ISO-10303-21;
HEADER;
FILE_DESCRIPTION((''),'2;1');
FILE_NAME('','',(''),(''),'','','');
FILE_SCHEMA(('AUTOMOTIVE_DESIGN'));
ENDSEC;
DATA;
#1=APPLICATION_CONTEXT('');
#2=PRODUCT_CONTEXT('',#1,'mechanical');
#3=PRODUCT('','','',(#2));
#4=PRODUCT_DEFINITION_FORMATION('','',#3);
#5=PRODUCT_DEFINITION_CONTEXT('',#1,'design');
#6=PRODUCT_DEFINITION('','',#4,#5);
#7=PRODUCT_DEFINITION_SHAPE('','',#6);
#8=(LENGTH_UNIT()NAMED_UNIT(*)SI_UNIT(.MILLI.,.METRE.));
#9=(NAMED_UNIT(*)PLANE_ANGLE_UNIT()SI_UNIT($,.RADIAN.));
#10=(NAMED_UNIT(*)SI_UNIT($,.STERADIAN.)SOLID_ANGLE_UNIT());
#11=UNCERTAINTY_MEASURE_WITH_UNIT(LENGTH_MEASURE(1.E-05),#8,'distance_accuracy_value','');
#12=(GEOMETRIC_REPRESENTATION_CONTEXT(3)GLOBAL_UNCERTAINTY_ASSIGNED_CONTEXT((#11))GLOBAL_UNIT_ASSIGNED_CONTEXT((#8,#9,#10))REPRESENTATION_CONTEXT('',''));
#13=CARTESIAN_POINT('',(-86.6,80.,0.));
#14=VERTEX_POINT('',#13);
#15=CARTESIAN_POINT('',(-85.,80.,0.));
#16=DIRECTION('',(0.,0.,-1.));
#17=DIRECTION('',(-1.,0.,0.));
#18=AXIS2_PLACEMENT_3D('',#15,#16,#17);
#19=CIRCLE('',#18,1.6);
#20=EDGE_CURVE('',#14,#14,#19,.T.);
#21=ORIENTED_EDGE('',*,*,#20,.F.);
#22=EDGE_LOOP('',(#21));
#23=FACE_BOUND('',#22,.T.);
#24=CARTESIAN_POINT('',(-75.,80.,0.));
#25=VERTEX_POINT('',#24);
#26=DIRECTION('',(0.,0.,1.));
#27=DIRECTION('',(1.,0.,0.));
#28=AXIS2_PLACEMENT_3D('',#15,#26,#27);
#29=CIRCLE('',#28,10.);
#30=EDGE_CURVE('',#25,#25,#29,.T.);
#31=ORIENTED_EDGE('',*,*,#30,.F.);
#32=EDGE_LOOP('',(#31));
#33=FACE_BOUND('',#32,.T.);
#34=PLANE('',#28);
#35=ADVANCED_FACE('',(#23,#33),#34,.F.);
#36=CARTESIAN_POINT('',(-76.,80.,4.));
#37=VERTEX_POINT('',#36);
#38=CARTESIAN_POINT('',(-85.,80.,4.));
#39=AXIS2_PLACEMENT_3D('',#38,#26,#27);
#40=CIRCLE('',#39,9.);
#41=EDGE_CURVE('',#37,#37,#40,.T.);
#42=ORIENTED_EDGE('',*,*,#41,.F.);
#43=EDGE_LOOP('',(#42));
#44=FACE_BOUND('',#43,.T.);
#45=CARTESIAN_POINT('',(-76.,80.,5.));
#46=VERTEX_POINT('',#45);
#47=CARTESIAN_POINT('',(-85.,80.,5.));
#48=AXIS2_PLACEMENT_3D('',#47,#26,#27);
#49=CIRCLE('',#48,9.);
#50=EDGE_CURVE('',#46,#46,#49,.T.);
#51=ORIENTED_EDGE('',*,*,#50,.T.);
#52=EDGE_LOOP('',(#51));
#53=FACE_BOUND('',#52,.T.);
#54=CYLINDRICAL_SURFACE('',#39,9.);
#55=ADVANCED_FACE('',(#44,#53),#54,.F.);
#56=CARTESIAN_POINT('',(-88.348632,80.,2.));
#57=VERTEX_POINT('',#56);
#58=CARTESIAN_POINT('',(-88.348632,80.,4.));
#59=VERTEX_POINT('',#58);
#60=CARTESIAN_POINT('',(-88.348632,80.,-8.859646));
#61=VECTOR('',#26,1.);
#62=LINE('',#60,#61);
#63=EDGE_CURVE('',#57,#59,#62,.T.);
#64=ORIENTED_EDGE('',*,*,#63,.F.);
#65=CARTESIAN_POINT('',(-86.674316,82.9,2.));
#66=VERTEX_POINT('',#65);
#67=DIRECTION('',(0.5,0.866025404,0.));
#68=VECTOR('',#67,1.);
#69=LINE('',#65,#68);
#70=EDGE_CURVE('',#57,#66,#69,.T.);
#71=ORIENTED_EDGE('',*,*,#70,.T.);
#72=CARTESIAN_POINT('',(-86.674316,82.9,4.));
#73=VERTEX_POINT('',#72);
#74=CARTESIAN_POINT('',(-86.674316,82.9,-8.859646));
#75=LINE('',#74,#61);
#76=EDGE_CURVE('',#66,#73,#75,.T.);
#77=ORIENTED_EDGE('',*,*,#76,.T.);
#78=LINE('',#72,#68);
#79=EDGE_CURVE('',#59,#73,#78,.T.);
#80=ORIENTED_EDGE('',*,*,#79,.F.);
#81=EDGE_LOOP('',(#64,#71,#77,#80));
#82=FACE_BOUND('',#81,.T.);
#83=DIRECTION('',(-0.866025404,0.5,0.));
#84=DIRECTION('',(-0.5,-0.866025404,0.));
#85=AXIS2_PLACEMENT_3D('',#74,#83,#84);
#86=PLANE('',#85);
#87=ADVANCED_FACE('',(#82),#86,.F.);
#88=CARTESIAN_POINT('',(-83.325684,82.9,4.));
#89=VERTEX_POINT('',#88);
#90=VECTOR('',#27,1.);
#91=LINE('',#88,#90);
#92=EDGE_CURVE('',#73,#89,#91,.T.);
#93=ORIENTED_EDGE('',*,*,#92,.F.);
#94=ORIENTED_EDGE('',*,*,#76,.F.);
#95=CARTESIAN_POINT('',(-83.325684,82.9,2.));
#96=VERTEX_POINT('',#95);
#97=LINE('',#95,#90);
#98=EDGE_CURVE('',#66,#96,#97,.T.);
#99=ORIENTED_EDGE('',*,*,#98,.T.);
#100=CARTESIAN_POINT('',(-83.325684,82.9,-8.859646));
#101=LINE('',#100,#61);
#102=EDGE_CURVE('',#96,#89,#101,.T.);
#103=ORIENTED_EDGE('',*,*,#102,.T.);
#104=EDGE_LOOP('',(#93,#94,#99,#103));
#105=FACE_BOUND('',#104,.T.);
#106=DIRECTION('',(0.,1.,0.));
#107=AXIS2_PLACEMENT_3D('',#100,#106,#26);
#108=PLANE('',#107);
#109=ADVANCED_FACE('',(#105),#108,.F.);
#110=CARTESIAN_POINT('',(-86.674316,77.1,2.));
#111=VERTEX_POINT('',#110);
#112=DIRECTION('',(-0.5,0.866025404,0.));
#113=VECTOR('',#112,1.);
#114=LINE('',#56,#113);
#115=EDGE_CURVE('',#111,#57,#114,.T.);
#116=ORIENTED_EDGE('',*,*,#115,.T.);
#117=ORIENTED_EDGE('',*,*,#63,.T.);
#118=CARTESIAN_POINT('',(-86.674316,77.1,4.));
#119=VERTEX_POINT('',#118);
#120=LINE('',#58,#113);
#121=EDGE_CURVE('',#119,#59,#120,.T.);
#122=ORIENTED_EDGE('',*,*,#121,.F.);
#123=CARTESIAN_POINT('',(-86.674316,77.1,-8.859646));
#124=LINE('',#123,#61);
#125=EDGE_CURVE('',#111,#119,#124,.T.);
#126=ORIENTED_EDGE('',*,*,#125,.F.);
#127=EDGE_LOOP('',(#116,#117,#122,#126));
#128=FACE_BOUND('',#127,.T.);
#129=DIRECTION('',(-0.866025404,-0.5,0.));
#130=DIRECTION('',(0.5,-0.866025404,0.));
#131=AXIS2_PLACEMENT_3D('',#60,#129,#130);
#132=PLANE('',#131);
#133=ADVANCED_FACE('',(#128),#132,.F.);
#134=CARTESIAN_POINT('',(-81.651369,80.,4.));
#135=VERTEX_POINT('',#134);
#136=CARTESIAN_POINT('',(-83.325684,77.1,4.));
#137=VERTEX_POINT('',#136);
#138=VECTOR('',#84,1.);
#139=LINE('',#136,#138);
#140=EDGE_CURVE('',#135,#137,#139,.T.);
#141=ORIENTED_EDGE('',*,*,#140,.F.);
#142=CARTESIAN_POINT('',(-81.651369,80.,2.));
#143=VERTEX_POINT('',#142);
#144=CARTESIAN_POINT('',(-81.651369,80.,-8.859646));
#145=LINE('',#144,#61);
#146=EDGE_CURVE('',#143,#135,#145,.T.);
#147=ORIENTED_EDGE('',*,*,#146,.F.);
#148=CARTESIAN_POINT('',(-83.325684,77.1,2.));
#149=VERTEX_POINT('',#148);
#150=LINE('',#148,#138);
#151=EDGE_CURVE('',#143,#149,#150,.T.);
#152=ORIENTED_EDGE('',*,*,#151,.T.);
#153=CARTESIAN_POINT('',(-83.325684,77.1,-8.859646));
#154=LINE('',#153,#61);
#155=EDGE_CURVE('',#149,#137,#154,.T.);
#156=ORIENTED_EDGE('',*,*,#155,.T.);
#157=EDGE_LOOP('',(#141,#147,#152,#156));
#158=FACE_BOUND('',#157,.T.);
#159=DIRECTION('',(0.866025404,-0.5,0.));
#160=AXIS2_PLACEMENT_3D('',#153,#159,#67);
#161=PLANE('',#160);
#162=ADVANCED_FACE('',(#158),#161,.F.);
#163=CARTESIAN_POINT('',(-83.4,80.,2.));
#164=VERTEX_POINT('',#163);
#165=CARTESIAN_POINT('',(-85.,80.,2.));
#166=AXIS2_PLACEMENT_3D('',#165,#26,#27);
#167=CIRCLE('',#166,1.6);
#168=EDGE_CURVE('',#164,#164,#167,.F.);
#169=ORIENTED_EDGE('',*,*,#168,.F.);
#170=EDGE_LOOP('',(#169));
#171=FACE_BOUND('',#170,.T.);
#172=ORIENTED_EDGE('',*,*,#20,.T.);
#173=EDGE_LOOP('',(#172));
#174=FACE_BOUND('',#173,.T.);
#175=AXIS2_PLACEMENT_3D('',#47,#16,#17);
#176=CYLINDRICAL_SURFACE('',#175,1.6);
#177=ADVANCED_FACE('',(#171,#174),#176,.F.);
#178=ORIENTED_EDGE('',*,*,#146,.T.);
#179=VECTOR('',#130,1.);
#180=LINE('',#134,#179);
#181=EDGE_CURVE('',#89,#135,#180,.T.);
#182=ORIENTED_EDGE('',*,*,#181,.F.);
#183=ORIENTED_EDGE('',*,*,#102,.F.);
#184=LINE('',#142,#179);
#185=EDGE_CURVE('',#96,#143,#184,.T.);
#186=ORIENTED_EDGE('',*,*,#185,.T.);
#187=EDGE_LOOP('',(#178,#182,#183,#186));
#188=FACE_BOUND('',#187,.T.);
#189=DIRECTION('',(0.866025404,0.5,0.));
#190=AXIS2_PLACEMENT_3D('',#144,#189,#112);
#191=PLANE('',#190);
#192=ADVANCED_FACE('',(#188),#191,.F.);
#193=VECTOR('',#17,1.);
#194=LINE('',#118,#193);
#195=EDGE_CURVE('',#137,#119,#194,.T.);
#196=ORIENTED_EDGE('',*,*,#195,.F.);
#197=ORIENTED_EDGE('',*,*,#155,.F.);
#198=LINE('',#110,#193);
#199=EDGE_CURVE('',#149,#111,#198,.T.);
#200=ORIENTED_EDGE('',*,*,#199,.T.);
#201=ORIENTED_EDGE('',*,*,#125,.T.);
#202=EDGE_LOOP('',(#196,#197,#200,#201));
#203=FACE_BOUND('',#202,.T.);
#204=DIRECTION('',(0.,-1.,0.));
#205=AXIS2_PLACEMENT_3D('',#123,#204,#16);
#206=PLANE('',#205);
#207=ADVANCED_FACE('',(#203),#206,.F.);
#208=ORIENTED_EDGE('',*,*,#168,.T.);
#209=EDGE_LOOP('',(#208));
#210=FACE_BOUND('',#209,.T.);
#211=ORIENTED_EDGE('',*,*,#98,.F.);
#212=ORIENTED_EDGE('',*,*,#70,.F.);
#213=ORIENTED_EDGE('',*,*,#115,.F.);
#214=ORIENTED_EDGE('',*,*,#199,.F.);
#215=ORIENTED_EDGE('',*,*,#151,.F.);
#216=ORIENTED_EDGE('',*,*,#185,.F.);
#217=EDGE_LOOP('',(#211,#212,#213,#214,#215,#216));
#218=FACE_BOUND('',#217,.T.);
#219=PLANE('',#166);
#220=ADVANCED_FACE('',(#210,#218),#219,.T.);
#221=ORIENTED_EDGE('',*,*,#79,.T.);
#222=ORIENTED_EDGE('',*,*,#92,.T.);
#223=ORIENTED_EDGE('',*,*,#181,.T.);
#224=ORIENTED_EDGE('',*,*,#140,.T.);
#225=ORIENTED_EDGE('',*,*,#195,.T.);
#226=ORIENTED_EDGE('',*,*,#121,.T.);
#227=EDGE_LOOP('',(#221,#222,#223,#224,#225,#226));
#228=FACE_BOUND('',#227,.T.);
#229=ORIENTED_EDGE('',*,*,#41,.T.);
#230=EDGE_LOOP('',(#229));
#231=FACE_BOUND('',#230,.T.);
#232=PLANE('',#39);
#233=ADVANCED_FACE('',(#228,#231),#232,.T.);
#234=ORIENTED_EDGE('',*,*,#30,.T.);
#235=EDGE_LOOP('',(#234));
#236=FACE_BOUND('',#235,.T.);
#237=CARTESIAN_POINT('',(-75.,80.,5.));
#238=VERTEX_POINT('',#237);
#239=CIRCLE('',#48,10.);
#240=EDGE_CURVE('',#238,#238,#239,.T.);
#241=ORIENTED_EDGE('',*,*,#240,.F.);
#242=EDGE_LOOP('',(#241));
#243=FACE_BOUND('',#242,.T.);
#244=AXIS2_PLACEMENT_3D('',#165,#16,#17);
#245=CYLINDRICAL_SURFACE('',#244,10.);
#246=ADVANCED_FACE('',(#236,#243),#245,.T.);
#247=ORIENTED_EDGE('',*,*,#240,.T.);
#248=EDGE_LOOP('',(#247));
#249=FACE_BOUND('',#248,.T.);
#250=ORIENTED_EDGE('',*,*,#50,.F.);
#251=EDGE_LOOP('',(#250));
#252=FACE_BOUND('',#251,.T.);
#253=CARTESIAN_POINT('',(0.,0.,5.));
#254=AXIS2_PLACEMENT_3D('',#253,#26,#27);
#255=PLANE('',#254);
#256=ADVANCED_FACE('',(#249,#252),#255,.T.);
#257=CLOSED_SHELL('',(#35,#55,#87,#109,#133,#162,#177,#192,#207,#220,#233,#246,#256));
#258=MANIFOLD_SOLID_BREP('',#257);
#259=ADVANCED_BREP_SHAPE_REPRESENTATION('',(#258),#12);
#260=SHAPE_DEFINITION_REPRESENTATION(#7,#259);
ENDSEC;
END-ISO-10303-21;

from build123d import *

# Parameters (mm, degrees)
SKETCH1_R           = 10
SKETCH1_R_2         = 1.5
BOSS_EXTRUDE1_DEPTH = 2
SKETCH2_R           = 10
SKETCH2_R_2         = 1.5
BOSS_EXTRUDE2_DEPTH = 3
SKETCH3_R           = 1.6
CUT_EXTRUDE1_DEPTH  = 131.958008585
CUT_EXTRUDE2_DEPTH  = 3
SKETCH5_R           = 9
CUT_EXTRUDE3_DEPTH  = 1


with BuildPart() as part:
    # Sketch1 → Boss-Extrude1 (new body)
    with BuildSketch(Plane.XY):
        with Locations((-85.000000067, 80)):
            Circle(SKETCH1_R)
        with Locations((-85.000000067, 80)):
            Circle(SKETCH1_R_2, mode=Mode.SUBTRACT)
    extrude(amount=BOSS_EXTRUDE1_DEPTH)

    # Sketch2 → Boss-Extrude2 (add)
    # profile 1 of 2: a face of its own
    with BuildSketch(Plane.XY.offset(2)):
        with Locations((-85.000000067, 80)):
            Circle(SKETCH2_R)
        with Locations((-85.000000067, 80)):
            Circle(SKETCH2_R_2, mode=Mode.SUBTRACT)
    # profile 2 of 2: a face of its own
    with BuildSketch(Plane.XY.offset(2)):
        with Locations((-85.000000067, 80)):
            Circle(SKETCH2_R_2)
    extrude(amount=BOSS_EXTRUDE2_DEPTH)

    # Sketch3 → Cut-Extrude1 (cut, through all)
    with BuildSketch(Plane(origin=(0, 0, 0), x_dir=(-1, 0, 0), z_dir=(0, 0, -1))):
        with Locations((85.000000067, 80)):
            Circle(SKETCH3_R)
    extrude(amount=-CUT_EXTRUDE1_DEPTH, mode=Mode.SUBTRACT)

    # Sketch4 → Cut-Extrude2 (cut)
    with BuildSketch(Plane.XY.offset(5)):
        Polygon((-88.348631628, 80), (-86.674315847, 77.1), (-83.325684286, 77.1), (-81.651368505, 80), (-83.325684286, 82.9), (-86.674315847, 82.9), align=None)
    extrude(amount=-CUT_EXTRUDE2_DEPTH, mode=Mode.SUBTRACT)

    # Sketch5 → Cut-Extrude3 (cut)
    with BuildSketch(Plane.XY.offset(5)):
        with Locations((-85.000000067, 80)):
            Circle(SKETCH5_R)
    extrude(amount=-CUT_EXTRUDE3_DEPTH, mode=Mode.SUBTRACT)


solid = part.part
